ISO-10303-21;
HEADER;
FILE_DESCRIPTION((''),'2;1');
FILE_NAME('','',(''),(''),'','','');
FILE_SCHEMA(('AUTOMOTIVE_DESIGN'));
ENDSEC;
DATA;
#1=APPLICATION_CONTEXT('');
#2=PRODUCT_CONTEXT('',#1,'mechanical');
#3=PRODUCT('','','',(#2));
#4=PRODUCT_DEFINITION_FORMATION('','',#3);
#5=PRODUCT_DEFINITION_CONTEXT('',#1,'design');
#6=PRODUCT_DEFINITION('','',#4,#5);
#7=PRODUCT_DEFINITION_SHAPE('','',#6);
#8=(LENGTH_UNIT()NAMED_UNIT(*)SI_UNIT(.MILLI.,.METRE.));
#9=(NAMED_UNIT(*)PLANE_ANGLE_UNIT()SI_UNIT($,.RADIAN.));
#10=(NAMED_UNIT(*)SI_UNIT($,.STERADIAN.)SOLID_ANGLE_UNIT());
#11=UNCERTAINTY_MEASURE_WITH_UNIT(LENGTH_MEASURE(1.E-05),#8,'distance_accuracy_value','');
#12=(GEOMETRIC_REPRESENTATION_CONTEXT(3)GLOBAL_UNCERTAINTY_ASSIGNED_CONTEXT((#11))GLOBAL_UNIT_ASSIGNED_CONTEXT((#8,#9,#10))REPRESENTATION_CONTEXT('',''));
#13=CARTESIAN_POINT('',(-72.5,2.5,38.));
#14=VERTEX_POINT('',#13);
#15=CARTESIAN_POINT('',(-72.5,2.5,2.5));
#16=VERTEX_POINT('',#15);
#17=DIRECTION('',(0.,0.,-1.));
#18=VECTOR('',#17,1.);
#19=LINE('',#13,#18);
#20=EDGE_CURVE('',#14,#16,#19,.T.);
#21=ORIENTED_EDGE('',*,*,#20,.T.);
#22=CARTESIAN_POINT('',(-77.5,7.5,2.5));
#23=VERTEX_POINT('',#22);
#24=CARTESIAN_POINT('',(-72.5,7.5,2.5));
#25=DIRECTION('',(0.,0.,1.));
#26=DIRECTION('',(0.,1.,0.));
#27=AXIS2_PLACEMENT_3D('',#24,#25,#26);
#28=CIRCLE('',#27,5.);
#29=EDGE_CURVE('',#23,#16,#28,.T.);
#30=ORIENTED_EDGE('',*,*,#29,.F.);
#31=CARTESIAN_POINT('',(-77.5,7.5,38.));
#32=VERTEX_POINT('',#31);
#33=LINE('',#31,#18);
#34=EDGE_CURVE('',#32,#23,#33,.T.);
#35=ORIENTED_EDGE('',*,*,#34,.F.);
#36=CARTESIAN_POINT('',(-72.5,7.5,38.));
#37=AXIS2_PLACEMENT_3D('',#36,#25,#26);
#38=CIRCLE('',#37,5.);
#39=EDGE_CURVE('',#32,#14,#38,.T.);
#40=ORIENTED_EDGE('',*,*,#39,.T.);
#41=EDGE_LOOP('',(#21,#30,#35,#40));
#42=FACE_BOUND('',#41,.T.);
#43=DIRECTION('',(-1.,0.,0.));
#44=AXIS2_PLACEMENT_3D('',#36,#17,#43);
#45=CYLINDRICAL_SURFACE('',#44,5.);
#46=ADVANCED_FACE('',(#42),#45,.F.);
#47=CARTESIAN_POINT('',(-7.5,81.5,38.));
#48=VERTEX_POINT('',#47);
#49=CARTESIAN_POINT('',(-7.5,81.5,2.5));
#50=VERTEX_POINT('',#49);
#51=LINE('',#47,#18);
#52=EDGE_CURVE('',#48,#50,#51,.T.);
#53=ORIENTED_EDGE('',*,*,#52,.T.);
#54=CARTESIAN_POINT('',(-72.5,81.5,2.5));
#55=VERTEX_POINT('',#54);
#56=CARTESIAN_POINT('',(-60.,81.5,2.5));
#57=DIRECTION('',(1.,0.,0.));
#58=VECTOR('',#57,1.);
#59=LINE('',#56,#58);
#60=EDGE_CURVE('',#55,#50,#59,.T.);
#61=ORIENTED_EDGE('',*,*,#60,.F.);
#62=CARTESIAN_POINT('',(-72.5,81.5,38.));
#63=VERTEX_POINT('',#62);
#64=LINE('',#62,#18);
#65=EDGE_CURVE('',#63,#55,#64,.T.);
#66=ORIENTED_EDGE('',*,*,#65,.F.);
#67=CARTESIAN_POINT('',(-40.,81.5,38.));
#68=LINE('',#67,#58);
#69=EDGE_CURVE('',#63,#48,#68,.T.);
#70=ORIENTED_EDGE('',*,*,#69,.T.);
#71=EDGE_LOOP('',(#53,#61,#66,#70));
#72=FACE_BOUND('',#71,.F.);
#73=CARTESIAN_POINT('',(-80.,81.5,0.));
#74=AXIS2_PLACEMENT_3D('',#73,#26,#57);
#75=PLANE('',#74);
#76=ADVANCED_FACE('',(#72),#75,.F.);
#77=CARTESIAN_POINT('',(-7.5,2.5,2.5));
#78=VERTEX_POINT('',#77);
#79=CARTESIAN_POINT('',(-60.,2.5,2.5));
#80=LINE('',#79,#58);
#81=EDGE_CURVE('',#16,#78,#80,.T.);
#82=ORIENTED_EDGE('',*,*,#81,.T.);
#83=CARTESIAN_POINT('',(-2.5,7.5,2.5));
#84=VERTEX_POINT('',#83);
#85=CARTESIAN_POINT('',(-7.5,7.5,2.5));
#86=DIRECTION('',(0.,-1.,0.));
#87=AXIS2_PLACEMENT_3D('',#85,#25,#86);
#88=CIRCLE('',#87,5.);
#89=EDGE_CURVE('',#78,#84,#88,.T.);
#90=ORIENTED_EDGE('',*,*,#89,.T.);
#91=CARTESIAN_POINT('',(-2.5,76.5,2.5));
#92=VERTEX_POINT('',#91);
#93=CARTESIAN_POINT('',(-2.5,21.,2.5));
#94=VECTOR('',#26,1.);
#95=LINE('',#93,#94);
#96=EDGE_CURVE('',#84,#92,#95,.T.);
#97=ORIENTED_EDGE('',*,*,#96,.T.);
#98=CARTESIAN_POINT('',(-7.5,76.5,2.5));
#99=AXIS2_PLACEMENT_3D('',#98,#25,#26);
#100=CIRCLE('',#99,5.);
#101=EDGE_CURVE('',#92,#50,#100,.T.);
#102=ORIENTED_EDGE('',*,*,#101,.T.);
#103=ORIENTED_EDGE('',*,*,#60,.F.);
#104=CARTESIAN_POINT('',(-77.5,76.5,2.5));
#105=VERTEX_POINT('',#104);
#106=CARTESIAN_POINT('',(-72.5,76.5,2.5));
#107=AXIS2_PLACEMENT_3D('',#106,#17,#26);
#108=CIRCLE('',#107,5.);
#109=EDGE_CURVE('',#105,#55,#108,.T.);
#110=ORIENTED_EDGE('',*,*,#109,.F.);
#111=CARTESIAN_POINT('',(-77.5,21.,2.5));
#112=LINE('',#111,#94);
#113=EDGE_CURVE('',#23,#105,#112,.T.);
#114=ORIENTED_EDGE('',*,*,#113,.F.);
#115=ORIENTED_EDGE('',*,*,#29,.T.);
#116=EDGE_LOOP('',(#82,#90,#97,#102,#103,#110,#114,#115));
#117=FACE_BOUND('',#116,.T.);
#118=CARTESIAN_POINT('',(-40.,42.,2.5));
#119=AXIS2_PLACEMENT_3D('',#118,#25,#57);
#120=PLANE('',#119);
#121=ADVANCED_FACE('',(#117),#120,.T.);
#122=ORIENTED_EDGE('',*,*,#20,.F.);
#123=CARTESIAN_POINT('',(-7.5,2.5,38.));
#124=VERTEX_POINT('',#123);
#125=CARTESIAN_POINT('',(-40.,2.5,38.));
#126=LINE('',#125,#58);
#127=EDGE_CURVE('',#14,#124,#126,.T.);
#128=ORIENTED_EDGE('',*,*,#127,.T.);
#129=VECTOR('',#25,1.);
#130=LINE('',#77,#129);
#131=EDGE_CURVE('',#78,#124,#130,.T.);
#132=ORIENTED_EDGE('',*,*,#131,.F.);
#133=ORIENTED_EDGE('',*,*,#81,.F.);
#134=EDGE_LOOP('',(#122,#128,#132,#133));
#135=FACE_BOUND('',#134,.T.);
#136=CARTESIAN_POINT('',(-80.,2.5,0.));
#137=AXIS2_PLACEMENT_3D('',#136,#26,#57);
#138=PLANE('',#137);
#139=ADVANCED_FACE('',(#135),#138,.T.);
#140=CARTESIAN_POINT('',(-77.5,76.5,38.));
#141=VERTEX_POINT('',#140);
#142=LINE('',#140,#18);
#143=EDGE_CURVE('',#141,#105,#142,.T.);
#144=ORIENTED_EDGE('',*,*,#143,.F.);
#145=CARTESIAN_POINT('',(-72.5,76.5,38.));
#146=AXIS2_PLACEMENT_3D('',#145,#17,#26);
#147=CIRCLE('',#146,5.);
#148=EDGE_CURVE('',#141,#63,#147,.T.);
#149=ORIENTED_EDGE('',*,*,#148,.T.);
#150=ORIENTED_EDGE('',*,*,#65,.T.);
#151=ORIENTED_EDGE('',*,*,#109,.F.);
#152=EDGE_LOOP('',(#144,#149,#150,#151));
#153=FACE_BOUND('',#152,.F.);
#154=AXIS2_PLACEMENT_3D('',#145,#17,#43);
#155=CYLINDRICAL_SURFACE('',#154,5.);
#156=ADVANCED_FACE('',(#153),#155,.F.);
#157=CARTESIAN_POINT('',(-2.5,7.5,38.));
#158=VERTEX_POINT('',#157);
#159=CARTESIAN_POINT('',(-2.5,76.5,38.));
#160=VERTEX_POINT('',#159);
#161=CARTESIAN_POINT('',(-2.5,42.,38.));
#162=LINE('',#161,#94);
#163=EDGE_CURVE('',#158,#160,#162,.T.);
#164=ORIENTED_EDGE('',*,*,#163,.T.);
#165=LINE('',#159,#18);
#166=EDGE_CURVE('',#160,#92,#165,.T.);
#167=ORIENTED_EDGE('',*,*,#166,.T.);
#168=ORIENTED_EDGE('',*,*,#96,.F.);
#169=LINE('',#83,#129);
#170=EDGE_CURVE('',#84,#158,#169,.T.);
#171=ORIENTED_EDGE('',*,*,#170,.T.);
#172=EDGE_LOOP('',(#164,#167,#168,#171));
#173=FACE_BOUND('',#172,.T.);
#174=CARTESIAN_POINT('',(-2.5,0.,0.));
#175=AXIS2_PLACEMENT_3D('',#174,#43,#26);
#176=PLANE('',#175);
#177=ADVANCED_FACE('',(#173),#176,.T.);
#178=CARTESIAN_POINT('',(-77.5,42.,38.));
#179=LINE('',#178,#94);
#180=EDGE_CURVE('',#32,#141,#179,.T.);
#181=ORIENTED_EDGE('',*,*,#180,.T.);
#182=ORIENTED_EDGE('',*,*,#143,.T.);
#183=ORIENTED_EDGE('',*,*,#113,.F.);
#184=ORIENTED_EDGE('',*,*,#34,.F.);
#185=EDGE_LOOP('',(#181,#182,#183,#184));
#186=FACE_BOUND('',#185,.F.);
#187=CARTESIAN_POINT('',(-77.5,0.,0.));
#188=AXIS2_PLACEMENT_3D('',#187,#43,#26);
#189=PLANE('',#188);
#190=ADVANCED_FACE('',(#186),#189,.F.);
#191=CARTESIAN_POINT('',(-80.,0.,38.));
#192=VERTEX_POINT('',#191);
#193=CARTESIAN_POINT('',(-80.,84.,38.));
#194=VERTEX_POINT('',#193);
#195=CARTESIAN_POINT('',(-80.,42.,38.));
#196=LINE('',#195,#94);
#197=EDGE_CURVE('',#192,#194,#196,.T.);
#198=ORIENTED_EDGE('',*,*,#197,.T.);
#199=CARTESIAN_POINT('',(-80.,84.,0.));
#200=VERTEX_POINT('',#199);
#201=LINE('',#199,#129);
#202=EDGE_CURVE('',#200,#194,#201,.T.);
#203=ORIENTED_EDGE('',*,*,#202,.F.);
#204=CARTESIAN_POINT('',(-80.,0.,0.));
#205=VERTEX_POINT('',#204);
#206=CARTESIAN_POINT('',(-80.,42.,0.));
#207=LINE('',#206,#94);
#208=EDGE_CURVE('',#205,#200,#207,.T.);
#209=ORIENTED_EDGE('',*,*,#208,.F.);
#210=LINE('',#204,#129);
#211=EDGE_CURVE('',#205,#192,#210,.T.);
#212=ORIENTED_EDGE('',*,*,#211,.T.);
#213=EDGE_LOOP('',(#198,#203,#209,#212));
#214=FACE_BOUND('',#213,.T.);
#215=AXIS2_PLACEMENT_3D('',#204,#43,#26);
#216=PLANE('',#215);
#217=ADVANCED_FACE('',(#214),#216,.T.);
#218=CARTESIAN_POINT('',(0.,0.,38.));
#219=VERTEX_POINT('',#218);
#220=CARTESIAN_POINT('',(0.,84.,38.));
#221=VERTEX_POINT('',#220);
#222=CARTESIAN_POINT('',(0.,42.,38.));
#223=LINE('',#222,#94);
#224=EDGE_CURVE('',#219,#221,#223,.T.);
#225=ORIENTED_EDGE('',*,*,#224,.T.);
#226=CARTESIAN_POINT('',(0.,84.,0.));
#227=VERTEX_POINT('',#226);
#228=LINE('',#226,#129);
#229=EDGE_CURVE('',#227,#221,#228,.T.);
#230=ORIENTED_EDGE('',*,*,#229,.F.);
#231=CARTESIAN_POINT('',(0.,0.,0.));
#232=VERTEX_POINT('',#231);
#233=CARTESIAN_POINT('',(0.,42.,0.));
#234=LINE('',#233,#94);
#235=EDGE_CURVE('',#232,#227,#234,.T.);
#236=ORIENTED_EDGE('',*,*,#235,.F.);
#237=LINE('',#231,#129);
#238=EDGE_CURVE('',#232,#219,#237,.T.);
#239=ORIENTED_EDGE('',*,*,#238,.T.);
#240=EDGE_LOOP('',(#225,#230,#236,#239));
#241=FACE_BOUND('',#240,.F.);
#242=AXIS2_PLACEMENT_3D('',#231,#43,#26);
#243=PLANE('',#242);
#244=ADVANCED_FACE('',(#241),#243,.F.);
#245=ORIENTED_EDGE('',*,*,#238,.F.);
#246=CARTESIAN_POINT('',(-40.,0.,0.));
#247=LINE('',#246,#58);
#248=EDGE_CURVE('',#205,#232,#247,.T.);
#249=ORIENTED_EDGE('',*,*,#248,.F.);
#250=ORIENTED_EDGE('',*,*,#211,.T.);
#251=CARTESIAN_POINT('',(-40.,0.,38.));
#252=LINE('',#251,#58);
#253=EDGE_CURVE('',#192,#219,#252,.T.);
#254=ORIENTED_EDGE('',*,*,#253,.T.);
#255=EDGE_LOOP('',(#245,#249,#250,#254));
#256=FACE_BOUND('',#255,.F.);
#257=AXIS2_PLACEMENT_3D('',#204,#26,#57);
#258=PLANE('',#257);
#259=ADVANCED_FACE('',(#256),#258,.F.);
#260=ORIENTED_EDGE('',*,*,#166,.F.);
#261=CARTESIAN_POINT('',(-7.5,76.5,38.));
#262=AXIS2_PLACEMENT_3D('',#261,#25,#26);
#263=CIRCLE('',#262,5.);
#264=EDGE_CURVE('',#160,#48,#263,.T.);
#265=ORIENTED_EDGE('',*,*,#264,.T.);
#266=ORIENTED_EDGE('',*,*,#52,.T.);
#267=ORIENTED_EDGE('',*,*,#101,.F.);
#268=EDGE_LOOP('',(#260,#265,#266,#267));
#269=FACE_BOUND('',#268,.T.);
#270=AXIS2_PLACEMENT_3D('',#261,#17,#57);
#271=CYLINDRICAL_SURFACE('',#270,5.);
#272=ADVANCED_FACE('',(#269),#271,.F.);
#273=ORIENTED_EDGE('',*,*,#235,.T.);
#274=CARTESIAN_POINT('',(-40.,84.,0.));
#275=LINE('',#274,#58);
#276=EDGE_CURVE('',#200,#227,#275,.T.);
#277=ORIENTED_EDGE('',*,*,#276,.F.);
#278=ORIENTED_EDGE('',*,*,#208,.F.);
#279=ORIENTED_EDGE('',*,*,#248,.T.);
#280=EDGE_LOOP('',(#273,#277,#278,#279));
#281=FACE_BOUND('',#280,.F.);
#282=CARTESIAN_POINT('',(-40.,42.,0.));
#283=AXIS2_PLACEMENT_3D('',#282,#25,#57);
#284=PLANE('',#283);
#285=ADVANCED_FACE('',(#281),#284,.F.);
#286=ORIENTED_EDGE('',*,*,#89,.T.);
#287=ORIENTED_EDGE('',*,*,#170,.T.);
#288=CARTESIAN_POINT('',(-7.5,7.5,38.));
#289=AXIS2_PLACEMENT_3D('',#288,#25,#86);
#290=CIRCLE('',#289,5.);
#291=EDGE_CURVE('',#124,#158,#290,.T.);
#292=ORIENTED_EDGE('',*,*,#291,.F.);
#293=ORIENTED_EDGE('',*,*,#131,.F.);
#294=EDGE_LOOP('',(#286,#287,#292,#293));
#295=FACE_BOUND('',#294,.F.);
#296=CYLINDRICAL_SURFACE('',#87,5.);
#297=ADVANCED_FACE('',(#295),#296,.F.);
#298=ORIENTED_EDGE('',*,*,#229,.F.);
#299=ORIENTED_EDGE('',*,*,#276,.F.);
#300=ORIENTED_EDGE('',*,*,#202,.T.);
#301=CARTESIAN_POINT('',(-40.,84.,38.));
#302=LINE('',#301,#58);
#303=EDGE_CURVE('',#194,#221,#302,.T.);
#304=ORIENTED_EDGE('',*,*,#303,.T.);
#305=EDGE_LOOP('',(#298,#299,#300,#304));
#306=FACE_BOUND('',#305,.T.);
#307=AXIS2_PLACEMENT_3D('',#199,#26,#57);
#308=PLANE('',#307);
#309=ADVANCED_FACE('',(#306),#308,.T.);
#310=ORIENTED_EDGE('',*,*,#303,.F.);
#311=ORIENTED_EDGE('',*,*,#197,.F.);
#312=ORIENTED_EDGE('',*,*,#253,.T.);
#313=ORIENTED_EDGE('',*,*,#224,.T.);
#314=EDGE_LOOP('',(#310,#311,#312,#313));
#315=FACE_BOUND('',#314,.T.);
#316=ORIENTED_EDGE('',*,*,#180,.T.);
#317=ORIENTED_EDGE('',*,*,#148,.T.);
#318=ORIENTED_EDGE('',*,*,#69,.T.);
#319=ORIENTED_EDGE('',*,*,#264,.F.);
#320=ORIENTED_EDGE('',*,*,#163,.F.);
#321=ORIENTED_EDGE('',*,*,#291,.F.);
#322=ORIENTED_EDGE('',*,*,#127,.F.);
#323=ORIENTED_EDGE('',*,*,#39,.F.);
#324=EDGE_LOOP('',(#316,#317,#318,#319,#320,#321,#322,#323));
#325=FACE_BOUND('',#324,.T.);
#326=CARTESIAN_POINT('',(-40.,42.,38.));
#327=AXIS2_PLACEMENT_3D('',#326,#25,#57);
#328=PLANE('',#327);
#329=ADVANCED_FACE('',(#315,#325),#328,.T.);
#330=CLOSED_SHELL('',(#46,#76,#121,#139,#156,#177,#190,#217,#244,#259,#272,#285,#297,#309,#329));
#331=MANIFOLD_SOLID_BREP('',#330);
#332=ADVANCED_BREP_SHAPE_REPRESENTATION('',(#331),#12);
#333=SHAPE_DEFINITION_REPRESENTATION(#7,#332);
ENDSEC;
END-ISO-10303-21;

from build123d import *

# Parameters (mm, degrees)
F0_W     = 80
F0_H     = 84
F1_DEPTH = 38
F2_T     = -2.5
F3_R     = 5


with BuildPart() as f1:
    # F0 (on Top) → F1 (new body)
    with BuildSketch(Plane.XY):
        with Locations((-40, 42)):
            Rectangle(F0_W, F0_H)
    extrude(amount=F1_DEPTH)

    # F2
    f2_openings = [f1.faces().sort_by_distance(p)[0] for p in [
        (-40, 42, 38),
    ]]
    offset(amount=F2_T, openings=f2_openings)

    # F3
    f3_edges = [f1.edges().sort_by_distance(p)[0] for p in [
        (-77.5, 81.5, 20.25),
        (-2.5, 81.5, 20.25),
        (-2.5, 2.5, 20.25),
        (-77.5, 2.5, 20.25),
    ]]
    fillet(f3_edges, radius=F3_R)


solid = f1.part
